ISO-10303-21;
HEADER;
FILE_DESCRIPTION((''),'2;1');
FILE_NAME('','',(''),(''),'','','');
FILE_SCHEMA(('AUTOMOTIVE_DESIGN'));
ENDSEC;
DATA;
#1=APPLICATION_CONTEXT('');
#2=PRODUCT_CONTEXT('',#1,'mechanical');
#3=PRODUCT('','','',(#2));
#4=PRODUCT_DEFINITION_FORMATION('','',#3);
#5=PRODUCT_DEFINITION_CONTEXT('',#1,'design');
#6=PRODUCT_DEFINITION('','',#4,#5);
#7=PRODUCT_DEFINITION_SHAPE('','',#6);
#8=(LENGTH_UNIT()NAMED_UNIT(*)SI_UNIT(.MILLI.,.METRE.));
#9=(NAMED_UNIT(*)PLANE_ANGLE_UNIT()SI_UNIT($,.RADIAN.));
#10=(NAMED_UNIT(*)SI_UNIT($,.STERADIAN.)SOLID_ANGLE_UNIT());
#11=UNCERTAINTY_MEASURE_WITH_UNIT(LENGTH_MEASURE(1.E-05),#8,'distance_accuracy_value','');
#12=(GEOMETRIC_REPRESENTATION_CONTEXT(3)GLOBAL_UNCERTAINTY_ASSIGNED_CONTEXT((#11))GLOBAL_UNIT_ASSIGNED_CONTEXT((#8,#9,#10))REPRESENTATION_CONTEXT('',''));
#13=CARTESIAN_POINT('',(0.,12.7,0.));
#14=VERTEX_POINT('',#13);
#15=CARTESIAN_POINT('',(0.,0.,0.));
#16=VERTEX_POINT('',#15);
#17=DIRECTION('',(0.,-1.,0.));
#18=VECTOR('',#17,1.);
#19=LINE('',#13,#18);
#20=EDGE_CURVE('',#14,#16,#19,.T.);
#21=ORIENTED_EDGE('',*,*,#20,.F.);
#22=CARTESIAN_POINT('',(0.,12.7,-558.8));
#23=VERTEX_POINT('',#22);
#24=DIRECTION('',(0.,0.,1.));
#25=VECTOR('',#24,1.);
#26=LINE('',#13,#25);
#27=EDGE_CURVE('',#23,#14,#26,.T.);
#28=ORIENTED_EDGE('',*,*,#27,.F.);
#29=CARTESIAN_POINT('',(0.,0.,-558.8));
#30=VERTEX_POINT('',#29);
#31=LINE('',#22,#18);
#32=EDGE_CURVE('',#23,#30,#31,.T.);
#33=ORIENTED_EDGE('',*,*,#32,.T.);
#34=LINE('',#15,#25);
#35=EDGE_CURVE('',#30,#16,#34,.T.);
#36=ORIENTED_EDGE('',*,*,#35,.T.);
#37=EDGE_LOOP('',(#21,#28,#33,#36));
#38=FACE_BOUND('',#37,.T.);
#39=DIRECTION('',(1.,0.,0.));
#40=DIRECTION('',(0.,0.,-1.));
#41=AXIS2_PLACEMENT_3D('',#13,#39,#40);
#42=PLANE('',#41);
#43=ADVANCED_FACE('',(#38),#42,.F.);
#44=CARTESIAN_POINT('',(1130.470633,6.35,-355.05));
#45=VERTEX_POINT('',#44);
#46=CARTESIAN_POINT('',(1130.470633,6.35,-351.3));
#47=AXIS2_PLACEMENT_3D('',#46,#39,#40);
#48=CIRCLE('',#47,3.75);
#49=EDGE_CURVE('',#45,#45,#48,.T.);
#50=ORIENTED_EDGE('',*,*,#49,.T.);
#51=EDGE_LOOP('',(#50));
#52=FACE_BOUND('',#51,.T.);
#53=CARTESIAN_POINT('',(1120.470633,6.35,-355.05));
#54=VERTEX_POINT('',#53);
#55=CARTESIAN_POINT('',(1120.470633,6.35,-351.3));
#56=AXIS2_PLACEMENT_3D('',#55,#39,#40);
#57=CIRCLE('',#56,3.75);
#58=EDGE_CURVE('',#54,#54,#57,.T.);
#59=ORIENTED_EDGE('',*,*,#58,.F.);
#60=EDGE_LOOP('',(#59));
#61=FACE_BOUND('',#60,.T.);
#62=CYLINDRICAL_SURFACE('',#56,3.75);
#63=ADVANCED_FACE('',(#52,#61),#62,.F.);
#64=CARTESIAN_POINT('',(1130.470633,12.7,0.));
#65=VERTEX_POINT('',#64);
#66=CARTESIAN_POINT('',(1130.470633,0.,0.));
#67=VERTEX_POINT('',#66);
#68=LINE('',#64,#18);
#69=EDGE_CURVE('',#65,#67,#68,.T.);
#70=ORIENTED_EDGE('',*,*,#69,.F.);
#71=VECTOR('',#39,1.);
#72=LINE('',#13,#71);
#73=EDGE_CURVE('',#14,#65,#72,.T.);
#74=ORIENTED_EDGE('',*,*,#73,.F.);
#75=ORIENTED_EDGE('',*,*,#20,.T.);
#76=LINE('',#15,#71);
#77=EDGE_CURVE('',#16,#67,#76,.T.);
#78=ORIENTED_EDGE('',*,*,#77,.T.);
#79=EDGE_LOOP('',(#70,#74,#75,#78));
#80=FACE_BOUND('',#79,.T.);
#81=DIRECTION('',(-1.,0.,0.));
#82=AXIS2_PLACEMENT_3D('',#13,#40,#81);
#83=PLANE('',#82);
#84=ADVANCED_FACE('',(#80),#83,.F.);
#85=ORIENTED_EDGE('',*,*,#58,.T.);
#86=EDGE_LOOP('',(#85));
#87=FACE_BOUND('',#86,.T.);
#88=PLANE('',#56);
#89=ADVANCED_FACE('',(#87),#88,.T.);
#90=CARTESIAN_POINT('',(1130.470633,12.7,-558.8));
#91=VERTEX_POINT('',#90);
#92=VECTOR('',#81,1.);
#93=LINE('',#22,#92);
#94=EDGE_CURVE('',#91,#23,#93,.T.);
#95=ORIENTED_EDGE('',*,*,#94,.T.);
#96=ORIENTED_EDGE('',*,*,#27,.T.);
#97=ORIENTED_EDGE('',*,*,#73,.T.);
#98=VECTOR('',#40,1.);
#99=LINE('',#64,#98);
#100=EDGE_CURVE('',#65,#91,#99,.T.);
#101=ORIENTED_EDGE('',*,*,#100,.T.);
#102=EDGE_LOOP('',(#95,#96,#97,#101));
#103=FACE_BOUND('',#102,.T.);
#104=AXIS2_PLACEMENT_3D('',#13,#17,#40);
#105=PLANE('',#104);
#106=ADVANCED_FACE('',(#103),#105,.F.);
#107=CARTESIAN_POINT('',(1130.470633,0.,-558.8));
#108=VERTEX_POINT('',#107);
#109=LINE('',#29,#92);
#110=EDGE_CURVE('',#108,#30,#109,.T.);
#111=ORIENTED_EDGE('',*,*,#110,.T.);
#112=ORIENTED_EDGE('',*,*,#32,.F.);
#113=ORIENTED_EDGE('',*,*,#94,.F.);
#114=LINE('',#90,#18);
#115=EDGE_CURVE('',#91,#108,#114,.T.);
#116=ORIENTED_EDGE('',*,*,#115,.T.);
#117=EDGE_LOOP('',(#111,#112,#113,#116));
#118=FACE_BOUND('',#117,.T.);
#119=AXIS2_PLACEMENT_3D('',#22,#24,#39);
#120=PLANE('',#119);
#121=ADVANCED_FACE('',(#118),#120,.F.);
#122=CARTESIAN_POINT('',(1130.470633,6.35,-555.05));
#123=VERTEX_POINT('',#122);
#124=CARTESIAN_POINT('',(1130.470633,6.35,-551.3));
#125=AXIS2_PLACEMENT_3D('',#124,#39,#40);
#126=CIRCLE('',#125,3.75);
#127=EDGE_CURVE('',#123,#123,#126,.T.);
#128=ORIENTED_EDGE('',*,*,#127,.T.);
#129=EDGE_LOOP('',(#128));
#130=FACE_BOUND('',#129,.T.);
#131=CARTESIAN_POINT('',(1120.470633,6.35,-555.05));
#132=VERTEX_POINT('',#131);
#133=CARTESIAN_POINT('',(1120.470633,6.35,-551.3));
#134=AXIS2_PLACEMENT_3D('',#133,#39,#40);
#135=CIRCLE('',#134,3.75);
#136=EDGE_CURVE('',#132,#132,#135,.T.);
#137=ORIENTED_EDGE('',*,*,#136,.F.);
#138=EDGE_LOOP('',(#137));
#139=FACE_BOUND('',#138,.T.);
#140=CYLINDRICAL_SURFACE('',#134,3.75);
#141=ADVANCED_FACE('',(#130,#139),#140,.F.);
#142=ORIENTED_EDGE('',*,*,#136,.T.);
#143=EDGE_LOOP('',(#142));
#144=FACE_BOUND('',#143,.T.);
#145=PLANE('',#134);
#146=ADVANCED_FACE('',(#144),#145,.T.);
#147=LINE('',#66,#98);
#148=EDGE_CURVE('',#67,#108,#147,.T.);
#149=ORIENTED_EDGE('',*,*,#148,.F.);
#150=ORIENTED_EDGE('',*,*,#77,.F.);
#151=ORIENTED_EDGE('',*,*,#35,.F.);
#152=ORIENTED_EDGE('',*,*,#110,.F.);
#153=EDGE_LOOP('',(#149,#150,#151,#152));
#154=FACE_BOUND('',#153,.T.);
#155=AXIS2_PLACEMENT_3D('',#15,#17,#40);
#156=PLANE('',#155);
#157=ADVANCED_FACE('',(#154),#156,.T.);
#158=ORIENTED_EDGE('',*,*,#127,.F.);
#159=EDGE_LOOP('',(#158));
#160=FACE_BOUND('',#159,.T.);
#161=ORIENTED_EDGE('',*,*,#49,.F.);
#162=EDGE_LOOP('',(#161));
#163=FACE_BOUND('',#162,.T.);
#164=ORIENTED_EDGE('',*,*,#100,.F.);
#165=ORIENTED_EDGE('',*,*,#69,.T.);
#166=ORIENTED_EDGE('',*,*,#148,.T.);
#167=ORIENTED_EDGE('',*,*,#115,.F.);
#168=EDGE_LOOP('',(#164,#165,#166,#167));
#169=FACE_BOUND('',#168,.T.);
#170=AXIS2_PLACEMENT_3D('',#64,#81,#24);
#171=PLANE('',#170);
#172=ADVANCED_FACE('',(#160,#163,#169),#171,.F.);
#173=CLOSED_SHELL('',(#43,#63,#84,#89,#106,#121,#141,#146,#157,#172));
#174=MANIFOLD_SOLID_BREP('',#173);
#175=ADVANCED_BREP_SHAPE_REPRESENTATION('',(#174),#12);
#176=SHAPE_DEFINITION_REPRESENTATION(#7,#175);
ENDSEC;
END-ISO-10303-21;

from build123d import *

# Parameters (mm, degrees)
SKETCH1_W           = 1130.470633397
SKETCH1_H           = 558.8
BOSS_EXTRUDE1_DEPTH = 12.7
SKETCH2_R           = 3.75
CUT_EXTRUDE1_DEPTH  = 10


with BuildPart() as part:
    # Sketch1 → Boss-Extrude1 (new body)
    with BuildSketch(Plane(origin=(0, 0, 0), x_dir=(1, 0, 0), z_dir=(0, 1, 0))):
        with Locations((565.235316699, 279.4)):
            Rectangle(SKETCH1_W, SKETCH1_H)
    extrude(amount=BOSS_EXTRUDE1_DEPTH)

    # Sketch2 → Cut-Extrude1 (cut)
    with BuildSketch(Plane(origin=(1130.470633397, 0, 0), x_dir=(0, 0, -1), z_dir=(1, 0, 0))):
        with Locations((551.3, 6.35)):
            Circle(SKETCH2_R)
        with Locations((351.3, 6.35)):
            Circle(SKETCH2_R)
    extrude(amount=-CUT_EXTRUDE1_DEPTH, mode=Mode.SUBTRACT)


solid = part.part
